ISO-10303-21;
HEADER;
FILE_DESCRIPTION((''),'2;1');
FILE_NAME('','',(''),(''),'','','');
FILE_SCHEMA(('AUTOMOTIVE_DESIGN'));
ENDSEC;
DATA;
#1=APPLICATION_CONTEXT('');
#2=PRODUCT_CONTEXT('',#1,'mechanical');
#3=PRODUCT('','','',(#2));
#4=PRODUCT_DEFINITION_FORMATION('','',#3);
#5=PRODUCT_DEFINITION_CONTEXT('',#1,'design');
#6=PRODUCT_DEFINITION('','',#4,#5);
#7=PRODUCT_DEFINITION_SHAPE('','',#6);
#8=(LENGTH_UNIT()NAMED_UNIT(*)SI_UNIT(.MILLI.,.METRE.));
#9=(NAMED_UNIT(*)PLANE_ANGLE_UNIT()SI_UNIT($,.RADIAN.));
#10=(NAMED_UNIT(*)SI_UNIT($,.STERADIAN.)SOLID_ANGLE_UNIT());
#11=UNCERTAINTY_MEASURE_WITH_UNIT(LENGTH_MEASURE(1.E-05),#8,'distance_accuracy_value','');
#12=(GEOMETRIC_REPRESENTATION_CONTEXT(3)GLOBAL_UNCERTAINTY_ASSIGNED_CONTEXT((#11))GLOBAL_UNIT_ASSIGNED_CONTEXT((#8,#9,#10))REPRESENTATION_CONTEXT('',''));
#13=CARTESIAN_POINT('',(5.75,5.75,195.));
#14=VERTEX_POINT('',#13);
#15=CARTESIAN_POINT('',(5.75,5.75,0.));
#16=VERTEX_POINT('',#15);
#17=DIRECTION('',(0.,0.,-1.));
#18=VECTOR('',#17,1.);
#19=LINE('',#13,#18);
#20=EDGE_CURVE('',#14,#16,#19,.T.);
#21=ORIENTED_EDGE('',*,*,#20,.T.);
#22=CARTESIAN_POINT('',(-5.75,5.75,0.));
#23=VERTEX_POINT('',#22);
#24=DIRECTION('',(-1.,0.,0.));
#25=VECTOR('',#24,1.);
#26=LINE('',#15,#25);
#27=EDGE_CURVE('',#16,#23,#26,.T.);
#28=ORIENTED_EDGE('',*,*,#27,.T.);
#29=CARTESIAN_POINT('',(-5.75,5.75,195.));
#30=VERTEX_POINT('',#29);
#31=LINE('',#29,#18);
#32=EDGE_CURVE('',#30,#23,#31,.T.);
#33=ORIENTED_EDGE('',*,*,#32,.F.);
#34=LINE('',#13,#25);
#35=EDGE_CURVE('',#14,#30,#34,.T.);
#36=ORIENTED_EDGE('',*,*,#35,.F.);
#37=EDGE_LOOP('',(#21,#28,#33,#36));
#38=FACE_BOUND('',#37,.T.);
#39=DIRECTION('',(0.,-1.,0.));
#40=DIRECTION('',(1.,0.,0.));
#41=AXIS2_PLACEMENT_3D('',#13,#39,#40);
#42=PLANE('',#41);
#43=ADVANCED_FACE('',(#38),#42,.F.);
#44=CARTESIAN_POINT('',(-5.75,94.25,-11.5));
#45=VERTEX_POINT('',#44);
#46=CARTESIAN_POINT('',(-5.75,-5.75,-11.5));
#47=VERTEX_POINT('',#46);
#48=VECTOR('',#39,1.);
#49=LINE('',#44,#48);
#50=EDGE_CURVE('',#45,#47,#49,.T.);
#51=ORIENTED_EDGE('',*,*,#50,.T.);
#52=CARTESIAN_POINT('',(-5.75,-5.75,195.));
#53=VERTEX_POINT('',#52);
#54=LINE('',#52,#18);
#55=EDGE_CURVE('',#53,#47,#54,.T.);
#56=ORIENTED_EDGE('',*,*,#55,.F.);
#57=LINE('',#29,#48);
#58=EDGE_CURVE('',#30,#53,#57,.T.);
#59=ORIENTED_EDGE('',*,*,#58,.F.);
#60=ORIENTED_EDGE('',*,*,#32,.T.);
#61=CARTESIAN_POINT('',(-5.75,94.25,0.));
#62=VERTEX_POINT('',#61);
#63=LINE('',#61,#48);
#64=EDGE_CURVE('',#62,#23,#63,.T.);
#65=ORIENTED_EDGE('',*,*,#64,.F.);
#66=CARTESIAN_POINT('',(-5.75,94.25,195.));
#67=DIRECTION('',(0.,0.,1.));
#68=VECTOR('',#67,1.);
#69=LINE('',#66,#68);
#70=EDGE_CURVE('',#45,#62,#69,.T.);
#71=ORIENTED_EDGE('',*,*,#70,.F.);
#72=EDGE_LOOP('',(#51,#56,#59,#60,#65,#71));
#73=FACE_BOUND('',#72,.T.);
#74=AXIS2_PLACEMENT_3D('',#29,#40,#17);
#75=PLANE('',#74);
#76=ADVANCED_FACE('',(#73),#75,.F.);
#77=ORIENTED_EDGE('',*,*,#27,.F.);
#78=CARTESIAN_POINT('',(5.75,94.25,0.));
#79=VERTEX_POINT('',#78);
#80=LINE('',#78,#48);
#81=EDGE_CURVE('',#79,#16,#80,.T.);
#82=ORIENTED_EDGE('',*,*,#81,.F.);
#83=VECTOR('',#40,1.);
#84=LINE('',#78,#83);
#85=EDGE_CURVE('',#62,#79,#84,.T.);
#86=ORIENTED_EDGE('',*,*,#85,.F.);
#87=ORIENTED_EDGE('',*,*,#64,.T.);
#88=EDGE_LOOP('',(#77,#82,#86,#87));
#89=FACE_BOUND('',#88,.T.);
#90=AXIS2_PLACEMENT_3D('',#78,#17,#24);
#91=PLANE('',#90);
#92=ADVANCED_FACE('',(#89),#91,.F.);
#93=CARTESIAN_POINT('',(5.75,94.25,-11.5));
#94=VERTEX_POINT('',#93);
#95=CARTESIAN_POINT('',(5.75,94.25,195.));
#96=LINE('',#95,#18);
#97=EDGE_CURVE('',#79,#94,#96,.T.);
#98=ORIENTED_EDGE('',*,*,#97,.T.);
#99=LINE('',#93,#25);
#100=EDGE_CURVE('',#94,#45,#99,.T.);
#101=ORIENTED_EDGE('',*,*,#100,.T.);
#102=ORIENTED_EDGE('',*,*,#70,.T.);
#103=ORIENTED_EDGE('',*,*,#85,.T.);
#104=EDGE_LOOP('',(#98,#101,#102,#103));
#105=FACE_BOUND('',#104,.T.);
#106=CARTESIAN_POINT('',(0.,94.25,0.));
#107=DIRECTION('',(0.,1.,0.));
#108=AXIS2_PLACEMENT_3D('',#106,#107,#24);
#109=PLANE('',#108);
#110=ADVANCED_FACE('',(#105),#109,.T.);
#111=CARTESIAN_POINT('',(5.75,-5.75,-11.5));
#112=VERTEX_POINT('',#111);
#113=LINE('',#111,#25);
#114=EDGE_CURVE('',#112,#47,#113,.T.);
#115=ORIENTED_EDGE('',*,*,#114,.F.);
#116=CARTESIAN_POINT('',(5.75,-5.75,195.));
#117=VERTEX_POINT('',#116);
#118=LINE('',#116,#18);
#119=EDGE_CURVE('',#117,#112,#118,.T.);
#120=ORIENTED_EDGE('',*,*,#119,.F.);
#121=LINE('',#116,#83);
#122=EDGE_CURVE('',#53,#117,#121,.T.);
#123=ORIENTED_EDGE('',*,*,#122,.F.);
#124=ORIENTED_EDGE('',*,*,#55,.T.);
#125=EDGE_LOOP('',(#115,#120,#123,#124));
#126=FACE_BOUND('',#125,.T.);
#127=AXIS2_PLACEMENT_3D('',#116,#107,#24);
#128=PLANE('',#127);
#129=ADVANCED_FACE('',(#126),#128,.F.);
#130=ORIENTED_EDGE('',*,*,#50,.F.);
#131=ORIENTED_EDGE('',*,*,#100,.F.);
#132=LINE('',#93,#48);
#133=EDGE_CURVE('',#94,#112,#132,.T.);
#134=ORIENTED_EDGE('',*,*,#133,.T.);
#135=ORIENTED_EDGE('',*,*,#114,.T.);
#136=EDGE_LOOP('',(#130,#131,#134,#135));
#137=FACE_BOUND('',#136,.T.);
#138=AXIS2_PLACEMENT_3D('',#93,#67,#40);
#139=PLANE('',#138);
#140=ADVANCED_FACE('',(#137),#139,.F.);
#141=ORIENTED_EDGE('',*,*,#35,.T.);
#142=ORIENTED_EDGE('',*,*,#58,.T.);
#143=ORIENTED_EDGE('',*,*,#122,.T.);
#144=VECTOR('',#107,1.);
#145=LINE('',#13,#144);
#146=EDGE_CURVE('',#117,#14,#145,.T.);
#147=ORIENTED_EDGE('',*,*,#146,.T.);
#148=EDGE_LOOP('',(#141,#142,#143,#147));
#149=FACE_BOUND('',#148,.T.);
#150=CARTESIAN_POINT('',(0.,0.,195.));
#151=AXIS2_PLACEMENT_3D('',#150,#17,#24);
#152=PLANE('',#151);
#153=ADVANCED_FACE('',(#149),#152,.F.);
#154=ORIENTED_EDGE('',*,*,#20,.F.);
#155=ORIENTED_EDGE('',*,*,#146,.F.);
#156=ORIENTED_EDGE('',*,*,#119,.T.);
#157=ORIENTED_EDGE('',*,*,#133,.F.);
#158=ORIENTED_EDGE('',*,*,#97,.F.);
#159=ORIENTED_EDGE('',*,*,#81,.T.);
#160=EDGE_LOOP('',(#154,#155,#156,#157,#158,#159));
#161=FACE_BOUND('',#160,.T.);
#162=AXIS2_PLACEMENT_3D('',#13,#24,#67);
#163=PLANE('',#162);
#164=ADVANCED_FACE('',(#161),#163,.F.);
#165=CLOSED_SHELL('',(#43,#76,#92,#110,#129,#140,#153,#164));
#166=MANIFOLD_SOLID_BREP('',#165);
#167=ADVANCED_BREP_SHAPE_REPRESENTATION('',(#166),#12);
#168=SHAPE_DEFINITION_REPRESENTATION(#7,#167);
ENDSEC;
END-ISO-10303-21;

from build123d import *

# Parameters (mm, degrees)
SKETCH1_W           = 11.5
SKETCH1_H           = 11.5
BOSS_EXTRUDE1_DEPTH = 195
BOSS_EXTRUDE2_START = -5.75
SKETCH2_W           = 11.5
SKETCH2_H           = 11.5
BOSS_EXTRUDE2_DEPTH = 100


with BuildPart() as part:
    # Sketch1 → Boss-Extrude1 (new body)
    with BuildSketch(Plane.XY):
        Rectangle(SKETCH1_W, SKETCH1_H)
    extrude(amount=BOSS_EXTRUDE1_DEPTH)

    # Sketch2 → Boss-Extrude2 (add)
    with BuildSketch(Plane(origin=(0, 0, 0), x_dir=(1, 0, 0), z_dir=(0, 1, 0)).offset(BOSS_EXTRUDE2_START)):
        with Locations((0, 5.75)):
            Rectangle(SKETCH2_W, SKETCH2_H)
    extrude(amount=BOSS_EXTRUDE2_DEPTH)


solid = part.part
